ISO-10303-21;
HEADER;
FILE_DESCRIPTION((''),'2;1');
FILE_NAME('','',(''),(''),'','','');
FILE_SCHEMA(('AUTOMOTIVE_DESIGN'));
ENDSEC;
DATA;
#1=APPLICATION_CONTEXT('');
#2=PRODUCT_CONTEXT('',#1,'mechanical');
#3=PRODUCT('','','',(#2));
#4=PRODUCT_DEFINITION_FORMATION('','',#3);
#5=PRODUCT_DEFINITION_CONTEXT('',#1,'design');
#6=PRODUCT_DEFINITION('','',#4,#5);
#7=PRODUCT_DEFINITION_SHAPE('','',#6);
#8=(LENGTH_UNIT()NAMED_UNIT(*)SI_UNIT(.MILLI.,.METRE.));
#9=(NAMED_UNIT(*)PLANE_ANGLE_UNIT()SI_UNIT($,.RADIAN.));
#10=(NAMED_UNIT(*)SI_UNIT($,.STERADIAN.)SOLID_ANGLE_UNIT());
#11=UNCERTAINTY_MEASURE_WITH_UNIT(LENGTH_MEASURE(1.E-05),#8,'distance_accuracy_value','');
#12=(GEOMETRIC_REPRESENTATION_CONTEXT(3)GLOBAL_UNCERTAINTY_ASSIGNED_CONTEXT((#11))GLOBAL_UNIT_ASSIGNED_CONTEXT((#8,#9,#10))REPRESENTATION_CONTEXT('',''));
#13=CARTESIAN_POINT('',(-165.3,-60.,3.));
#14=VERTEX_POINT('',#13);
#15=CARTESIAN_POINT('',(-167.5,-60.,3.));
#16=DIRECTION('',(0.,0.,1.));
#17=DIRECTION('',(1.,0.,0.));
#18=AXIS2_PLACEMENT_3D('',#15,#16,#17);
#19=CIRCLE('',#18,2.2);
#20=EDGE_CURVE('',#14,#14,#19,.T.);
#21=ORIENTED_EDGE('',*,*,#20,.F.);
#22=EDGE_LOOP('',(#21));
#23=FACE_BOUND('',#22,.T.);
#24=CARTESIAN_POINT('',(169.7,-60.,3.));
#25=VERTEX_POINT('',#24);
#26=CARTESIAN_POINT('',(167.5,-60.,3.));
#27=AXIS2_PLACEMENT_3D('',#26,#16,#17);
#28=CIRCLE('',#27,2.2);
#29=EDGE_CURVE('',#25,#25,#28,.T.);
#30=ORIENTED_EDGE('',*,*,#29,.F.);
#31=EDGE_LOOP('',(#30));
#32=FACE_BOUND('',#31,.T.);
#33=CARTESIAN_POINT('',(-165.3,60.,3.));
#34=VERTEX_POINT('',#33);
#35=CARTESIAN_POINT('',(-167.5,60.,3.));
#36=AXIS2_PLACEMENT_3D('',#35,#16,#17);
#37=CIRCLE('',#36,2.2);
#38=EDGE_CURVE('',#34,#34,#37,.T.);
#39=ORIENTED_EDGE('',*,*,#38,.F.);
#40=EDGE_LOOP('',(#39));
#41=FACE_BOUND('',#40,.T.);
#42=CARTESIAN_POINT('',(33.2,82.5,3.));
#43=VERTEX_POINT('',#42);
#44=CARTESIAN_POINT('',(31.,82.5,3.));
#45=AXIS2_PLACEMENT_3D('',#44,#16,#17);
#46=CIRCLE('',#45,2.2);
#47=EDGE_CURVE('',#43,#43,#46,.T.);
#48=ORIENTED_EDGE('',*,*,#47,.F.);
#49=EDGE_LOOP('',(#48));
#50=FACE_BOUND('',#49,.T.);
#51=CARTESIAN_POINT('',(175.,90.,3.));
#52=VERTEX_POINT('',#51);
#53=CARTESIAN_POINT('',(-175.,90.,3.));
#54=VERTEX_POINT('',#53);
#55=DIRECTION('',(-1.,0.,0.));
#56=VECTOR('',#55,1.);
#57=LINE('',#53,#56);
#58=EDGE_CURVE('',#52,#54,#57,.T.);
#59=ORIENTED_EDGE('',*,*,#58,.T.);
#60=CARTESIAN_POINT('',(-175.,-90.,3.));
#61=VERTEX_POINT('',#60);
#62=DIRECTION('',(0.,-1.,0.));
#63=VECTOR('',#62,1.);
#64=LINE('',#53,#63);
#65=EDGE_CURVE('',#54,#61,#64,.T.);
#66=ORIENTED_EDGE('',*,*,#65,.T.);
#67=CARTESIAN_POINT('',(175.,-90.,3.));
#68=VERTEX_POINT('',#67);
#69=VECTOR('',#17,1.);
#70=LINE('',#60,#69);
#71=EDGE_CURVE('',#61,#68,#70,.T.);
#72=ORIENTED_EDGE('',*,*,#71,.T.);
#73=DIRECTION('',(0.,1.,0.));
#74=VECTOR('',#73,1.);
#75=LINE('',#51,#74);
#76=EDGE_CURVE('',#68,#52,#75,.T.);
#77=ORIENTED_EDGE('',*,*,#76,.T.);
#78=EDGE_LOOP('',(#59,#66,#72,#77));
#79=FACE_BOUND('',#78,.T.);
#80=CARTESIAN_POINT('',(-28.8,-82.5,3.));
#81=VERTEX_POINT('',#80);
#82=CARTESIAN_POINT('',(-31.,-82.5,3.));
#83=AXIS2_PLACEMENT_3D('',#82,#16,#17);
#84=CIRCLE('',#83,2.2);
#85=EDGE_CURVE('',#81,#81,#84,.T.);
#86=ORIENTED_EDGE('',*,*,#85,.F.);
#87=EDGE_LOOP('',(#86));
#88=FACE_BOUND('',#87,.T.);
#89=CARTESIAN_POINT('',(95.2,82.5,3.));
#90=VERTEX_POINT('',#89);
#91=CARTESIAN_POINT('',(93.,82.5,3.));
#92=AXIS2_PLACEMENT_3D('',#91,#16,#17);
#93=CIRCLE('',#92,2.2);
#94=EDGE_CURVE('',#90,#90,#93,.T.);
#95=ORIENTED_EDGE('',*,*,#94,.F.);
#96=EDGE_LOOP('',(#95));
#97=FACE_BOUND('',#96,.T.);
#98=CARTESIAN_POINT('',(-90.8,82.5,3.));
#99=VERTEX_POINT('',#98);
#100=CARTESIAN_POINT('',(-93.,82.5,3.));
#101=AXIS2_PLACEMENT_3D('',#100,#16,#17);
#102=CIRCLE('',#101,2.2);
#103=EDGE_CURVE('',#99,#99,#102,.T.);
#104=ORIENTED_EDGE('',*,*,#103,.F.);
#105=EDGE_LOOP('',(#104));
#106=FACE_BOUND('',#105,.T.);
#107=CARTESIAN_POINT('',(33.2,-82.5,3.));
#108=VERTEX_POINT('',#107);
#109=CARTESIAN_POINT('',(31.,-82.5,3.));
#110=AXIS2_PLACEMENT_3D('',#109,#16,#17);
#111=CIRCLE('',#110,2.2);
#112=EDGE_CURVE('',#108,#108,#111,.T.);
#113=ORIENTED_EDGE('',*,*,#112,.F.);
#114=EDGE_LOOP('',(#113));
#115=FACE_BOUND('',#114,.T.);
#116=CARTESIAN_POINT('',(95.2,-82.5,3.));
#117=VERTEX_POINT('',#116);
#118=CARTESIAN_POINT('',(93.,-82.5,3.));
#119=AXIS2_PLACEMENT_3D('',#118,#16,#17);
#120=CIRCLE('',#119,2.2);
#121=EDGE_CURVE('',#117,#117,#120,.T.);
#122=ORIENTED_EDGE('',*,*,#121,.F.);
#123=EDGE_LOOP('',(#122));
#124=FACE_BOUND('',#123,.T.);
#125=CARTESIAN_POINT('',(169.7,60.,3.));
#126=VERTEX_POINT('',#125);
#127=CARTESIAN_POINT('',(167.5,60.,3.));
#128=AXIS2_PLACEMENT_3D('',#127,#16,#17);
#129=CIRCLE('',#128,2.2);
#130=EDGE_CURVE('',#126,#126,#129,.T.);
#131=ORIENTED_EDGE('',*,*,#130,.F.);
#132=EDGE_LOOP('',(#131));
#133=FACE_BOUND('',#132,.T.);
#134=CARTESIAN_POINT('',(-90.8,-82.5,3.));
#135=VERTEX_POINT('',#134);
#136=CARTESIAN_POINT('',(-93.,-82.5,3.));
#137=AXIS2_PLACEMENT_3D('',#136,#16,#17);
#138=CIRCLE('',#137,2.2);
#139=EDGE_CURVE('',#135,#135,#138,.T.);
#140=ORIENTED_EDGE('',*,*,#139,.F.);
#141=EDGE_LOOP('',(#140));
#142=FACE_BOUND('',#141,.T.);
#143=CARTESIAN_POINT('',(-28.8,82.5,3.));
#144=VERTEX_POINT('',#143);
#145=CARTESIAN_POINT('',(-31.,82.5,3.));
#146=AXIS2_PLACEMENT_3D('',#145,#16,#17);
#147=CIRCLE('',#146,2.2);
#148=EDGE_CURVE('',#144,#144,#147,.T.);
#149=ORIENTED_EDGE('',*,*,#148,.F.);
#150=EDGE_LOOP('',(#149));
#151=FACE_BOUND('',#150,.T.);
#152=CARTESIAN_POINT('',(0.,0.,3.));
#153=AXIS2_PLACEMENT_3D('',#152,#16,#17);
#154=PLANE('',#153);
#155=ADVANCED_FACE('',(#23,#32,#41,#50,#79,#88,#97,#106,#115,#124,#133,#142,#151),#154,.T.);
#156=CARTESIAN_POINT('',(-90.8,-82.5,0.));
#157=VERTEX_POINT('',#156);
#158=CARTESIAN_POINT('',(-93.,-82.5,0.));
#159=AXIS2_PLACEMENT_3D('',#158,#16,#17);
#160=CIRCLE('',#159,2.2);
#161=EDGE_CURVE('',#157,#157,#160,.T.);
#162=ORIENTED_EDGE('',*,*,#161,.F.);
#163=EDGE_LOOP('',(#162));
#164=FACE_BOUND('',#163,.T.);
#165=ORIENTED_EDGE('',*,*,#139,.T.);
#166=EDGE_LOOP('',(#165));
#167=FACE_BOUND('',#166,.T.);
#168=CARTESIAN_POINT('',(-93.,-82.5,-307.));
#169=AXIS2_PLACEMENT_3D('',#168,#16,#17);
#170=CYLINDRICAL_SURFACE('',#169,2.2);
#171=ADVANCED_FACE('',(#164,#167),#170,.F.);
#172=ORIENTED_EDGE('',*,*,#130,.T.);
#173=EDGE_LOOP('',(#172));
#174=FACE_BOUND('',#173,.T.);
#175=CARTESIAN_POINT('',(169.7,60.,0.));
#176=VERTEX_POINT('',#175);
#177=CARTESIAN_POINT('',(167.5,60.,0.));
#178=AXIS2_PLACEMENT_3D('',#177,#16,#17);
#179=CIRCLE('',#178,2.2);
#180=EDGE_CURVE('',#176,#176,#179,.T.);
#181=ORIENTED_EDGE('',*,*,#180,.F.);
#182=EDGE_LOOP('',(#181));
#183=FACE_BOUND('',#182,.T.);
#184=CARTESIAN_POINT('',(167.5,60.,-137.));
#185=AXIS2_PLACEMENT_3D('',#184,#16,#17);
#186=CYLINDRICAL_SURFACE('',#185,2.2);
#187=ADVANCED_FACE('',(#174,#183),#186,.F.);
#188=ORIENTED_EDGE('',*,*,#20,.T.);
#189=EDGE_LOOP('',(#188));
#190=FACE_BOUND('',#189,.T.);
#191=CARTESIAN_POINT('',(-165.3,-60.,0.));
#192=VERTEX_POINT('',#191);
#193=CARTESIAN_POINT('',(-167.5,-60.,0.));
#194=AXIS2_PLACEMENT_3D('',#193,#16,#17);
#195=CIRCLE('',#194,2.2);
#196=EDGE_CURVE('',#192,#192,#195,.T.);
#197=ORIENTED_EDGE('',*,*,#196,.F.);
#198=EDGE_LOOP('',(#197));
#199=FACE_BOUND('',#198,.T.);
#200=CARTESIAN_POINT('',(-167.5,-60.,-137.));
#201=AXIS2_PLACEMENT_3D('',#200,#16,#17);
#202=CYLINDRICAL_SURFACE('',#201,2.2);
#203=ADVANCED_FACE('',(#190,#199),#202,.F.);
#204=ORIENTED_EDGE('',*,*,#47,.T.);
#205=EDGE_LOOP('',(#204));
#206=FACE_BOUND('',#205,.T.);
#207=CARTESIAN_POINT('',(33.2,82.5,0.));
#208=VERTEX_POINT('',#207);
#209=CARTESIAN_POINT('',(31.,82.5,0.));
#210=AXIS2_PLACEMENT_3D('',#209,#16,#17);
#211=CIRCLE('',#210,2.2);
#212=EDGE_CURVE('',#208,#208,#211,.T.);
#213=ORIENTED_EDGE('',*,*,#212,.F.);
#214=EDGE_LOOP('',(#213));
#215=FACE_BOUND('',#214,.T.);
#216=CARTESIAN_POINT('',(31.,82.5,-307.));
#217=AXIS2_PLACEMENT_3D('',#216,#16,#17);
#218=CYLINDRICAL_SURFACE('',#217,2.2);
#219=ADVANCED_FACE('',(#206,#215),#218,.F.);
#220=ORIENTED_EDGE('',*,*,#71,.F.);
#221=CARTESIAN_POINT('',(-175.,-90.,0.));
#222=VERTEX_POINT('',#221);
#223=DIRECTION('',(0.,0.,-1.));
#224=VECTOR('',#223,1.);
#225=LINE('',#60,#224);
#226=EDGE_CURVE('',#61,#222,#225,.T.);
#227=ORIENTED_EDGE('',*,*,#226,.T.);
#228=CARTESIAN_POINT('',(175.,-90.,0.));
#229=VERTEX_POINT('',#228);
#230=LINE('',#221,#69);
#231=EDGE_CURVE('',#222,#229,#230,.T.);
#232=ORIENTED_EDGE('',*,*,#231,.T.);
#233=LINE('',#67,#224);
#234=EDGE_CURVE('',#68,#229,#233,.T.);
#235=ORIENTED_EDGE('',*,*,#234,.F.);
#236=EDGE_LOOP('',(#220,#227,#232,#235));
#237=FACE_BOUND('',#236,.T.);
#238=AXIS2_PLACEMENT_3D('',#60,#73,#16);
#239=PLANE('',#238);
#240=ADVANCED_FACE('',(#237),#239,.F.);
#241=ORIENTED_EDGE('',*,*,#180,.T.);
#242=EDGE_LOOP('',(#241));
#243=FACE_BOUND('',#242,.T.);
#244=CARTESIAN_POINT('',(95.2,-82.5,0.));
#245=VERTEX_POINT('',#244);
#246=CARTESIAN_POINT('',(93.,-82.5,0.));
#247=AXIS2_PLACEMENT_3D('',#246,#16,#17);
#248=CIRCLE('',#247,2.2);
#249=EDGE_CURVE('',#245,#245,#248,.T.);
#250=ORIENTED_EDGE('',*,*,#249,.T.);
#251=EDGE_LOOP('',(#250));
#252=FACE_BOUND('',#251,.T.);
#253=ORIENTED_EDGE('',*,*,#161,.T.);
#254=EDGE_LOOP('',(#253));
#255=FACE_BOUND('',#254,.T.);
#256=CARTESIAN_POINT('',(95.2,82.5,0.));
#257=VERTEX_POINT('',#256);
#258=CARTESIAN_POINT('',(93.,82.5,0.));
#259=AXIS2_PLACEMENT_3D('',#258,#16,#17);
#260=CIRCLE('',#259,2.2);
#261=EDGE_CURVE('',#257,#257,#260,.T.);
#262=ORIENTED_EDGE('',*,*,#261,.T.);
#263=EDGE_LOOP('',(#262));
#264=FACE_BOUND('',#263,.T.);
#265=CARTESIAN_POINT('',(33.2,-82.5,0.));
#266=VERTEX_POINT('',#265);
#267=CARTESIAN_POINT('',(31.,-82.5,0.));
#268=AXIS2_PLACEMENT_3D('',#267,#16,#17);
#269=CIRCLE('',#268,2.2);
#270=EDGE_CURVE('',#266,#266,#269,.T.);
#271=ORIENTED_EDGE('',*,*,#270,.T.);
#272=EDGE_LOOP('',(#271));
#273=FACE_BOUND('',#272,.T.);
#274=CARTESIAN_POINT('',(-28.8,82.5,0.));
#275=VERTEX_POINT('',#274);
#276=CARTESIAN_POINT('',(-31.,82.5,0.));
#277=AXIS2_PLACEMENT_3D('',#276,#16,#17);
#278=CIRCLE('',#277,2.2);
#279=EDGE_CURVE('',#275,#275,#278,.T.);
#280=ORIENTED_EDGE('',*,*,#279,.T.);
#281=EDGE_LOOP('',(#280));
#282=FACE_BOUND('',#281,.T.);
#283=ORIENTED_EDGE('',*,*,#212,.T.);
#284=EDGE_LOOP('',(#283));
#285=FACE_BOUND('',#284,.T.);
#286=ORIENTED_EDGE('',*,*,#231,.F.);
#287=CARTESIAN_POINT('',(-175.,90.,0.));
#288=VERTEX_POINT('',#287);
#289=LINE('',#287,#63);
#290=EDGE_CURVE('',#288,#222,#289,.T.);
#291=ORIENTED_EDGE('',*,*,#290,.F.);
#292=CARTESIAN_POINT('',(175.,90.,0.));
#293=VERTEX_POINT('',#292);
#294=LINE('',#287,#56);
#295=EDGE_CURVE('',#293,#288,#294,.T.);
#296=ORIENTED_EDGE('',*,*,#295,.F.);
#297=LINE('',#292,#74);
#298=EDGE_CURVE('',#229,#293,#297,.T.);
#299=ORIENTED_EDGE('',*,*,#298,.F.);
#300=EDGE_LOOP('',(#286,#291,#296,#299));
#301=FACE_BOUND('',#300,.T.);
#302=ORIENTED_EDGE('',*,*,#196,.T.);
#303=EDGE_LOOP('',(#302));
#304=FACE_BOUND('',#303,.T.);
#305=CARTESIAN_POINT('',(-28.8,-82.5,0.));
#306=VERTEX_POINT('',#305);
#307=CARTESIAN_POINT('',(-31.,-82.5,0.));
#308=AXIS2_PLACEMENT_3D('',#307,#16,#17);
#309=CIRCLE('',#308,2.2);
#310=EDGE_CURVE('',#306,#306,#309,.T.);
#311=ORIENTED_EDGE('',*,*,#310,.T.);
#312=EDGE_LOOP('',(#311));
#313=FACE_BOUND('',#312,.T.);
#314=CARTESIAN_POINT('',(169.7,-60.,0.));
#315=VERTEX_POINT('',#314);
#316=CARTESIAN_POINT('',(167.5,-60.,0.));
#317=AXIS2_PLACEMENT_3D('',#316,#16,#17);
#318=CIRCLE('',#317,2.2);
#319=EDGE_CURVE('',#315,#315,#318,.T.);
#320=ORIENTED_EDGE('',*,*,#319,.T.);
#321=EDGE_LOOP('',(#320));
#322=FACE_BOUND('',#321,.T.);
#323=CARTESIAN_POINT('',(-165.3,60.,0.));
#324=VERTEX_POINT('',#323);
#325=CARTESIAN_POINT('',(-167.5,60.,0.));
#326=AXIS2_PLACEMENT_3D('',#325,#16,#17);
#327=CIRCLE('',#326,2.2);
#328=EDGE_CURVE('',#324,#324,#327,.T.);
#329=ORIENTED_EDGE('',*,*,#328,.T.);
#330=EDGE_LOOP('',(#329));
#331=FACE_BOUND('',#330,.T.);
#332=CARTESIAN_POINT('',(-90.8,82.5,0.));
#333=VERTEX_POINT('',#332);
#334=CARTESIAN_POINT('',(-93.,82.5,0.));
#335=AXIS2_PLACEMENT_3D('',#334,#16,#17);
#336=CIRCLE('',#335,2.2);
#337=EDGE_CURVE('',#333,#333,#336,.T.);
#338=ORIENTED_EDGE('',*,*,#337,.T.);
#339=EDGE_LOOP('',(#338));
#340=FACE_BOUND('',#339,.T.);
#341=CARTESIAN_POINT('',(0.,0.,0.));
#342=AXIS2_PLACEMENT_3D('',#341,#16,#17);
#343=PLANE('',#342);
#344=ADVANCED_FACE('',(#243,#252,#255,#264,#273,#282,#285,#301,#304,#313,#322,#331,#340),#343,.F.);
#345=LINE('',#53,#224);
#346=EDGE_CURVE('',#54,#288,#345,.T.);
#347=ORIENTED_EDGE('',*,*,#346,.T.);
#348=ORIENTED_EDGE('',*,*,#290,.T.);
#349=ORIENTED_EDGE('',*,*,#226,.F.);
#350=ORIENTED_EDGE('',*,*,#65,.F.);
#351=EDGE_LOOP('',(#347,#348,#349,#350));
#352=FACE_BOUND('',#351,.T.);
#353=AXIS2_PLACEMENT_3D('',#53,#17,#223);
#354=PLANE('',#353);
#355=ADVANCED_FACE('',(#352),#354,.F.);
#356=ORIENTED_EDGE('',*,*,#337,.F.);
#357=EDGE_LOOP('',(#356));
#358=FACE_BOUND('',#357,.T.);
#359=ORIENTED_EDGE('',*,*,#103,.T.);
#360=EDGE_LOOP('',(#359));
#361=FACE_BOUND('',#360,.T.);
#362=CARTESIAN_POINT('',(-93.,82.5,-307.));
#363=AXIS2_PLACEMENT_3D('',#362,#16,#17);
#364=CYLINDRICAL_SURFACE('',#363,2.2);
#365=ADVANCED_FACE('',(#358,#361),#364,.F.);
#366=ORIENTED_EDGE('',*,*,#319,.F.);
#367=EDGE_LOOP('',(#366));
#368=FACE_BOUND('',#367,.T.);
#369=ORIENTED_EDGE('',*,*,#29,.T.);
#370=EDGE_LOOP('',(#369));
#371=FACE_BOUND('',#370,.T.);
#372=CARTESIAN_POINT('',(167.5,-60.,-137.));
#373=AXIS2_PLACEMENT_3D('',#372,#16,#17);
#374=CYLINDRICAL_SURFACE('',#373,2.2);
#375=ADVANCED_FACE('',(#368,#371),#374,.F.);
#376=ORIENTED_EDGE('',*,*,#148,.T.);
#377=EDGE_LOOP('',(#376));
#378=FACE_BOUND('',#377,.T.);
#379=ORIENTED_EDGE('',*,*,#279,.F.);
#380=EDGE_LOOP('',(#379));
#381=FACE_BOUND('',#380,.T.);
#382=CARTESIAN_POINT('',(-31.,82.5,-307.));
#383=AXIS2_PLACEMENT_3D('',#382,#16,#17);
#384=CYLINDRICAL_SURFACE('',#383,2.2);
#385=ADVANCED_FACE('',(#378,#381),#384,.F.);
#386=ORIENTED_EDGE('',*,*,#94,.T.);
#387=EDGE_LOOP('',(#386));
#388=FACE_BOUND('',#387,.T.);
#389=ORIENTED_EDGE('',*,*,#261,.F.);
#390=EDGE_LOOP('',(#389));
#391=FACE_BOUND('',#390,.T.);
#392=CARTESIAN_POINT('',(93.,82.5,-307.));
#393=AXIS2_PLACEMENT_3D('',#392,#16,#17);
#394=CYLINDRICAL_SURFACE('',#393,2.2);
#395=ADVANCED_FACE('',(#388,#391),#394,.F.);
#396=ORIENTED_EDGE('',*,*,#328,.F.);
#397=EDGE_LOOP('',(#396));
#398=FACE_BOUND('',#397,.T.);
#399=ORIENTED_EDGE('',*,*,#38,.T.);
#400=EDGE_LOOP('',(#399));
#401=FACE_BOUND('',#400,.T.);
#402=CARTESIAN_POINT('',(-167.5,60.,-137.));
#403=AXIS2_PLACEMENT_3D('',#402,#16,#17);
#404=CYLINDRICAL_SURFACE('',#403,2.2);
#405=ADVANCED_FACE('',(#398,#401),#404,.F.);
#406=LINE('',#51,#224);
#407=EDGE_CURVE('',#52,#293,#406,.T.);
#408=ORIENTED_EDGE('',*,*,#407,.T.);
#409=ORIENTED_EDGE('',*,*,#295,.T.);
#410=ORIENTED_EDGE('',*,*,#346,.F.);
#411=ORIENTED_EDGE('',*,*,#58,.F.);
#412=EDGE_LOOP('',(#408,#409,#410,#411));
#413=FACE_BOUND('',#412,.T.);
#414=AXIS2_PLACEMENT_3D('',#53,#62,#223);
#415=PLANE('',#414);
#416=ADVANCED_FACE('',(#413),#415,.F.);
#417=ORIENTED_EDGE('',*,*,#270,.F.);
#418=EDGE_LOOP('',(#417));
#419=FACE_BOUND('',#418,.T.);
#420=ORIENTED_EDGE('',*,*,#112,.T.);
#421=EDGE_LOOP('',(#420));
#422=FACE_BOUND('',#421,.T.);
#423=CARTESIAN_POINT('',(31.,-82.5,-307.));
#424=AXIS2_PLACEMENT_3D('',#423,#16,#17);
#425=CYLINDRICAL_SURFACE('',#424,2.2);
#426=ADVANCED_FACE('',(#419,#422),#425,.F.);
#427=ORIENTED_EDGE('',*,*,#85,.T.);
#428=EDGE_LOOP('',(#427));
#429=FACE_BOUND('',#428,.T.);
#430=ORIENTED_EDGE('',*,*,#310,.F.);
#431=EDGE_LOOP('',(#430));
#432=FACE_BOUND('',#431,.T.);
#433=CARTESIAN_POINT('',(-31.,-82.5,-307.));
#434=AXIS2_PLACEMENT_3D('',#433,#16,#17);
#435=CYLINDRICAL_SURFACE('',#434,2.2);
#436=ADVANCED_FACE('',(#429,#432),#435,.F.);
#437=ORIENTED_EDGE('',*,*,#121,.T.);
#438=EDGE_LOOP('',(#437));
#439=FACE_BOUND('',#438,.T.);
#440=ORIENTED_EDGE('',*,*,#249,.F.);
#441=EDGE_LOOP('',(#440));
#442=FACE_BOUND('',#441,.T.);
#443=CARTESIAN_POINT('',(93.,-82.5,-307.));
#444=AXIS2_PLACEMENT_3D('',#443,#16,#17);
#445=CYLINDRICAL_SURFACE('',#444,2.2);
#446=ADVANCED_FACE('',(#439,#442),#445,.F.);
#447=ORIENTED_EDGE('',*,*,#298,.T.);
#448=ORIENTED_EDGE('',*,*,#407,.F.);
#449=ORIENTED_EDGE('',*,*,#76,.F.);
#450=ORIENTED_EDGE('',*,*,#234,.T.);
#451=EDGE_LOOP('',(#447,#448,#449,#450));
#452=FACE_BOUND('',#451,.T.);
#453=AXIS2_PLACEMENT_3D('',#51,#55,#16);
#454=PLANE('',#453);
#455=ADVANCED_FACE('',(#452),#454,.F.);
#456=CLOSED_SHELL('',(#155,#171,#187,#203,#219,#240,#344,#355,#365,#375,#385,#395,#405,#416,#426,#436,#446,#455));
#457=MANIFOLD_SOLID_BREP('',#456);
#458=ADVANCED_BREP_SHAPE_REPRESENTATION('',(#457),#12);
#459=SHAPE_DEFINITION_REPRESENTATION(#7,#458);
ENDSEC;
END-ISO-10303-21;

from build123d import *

# Parameters (mm, degrees)
SKETCH_1_W          = 350
SKETCH_1_H          = 180
EXTRUDE_1_DEPTH     = 3
CUT_EXTRUDE_1_DEPTH = 140
SKETCH_3_R          = 2.2
CUT_EXTRUDE_2_DEPTH = 310
SKETCH_4_R          = 2.2
CUT_EXTRUDE_3_DEPTH = 310


with BuildPart() as part:
    # ｽｹｯﾁ1 → ﾎﾞｽ - 押し出し1 (new body)
    with BuildSketch(Plane.XY):
        Rectangle(SKETCH_1_W, SKETCH_1_H)
    extrude(amount=EXTRUDE_1_DEPTH)

    # ｽｹｯﾁ2 → ｶｯﾄ - 押し出し1 (cut)
    with BuildSketch(Plane.XY.offset(3)):
        with BuildLine():
            ThreePointArc((169.7, 60), (169.055634919, 61.555634919), (167.5, 62.2))
            Line((167.5, 62.2), (167.5, 60))
            Line((167.5, 60), (169.7, 60))
        make_face()
        with BuildLine():
            Line((167.5, 60), (167.5, 62.2))
            ThreePointArc((167.5, 62.2), (165.944365081, 58.444365081), (169.7, 60))
            Line((169.7, 60), (167.5, 60))
        make_face()
        with BuildLine():
            ThreePointArc((169.7, -60), (165.944365081, -58.444365081), (167.5, -62.2))
            Line((167.5, -62.2), (167.5, -60))
            Line((167.5, -60), (169.7, -60))
        make_face()
        with BuildLine():
            Line((167.5, -60), (167.5, -62.2))
            ThreePointArc((167.5, -62.2), (169.055634919, -61.555634919), (169.7, -60))
            Line((169.7, -60), (167.5, -60))
        make_face()
        with BuildLine():
            ThreePointArc((-165.3, 60), (-165.944365081, 61.555634919), (-167.5, 62.2))
            Line((-167.5, 62.2), (-167.5, 60))
            Line((-167.5, 60), (-169.7, 60))
            ThreePointArc((-169.7, 60), (-167.5, 57.8), (-165.3, 60))
        make_face()
        with BuildLine():
            Line((-167.5, 60), (-167.5, 62.2))
            ThreePointArc((-167.5, 62.2), (-169.055634919, 61.555634919), (-169.7, 60))
            Line((-169.7, 60), (-167.5, 60))
        make_face()
        with BuildLine():
            ThreePointArc((-169.7, -60), (-169.055634919, -61.555634919), (-167.5, -62.2))
            Line((-167.5, -62.2), (-167.5, -60))
            Line((-167.5, -60), (-169.7, -60))
        make_face()
        with BuildLine():
            Line((-167.5, -60), (-167.5, -62.2))
            ThreePointArc((-167.5, -62.2), (-165.944365081, -61.555634919), (-165.3, -60))
            ThreePointArc((-165.3, -60), (-167.5, -57.8), (-169.7, -60))
            Line((-169.7, -60), (-167.5, -60))
        make_face()
    extrude(amount=-CUT_EXTRUDE_1_DEPTH, mode=Mode.SUBTRACT)

    # ｽｹｯﾁ3 → ｶｯﾄ - 押し出し2 (cut)
    with BuildSketch(Plane.XY.offset(3)):
        with Locations((93, 82.5)):
            Circle(SKETCH_3_R)
        with Locations((31, 82.5)):
            Circle(SKETCH_3_R)
        with Locations((-31, 82.5)):
            Circle(SKETCH_3_R)
        with Locations((-93, 82.5)):
            Circle(SKETCH_3_R)
    extrude(amount=-CUT_EXTRUDE_2_DEPTH, mode=Mode.SUBTRACT)

    # ｽｹｯﾁ4 → ｶｯﾄ - 押し出し3 (cut)
    with BuildSketch(Plane.XY.offset(3)):
        with Locations((93, -82.5)):
            Circle(SKETCH_4_R)
        with Locations((31, -82.5)):
            Circle(SKETCH_4_R)
        with Locations((-31, -82.5)):
            Circle(SKETCH_4_R)
        with Locations((-93, -82.5)):
            Circle(SKETCH_4_R)
    extrude(amount=-CUT_EXTRUDE_3_DEPTH, mode=Mode.SUBTRACT)


solid = part.part
